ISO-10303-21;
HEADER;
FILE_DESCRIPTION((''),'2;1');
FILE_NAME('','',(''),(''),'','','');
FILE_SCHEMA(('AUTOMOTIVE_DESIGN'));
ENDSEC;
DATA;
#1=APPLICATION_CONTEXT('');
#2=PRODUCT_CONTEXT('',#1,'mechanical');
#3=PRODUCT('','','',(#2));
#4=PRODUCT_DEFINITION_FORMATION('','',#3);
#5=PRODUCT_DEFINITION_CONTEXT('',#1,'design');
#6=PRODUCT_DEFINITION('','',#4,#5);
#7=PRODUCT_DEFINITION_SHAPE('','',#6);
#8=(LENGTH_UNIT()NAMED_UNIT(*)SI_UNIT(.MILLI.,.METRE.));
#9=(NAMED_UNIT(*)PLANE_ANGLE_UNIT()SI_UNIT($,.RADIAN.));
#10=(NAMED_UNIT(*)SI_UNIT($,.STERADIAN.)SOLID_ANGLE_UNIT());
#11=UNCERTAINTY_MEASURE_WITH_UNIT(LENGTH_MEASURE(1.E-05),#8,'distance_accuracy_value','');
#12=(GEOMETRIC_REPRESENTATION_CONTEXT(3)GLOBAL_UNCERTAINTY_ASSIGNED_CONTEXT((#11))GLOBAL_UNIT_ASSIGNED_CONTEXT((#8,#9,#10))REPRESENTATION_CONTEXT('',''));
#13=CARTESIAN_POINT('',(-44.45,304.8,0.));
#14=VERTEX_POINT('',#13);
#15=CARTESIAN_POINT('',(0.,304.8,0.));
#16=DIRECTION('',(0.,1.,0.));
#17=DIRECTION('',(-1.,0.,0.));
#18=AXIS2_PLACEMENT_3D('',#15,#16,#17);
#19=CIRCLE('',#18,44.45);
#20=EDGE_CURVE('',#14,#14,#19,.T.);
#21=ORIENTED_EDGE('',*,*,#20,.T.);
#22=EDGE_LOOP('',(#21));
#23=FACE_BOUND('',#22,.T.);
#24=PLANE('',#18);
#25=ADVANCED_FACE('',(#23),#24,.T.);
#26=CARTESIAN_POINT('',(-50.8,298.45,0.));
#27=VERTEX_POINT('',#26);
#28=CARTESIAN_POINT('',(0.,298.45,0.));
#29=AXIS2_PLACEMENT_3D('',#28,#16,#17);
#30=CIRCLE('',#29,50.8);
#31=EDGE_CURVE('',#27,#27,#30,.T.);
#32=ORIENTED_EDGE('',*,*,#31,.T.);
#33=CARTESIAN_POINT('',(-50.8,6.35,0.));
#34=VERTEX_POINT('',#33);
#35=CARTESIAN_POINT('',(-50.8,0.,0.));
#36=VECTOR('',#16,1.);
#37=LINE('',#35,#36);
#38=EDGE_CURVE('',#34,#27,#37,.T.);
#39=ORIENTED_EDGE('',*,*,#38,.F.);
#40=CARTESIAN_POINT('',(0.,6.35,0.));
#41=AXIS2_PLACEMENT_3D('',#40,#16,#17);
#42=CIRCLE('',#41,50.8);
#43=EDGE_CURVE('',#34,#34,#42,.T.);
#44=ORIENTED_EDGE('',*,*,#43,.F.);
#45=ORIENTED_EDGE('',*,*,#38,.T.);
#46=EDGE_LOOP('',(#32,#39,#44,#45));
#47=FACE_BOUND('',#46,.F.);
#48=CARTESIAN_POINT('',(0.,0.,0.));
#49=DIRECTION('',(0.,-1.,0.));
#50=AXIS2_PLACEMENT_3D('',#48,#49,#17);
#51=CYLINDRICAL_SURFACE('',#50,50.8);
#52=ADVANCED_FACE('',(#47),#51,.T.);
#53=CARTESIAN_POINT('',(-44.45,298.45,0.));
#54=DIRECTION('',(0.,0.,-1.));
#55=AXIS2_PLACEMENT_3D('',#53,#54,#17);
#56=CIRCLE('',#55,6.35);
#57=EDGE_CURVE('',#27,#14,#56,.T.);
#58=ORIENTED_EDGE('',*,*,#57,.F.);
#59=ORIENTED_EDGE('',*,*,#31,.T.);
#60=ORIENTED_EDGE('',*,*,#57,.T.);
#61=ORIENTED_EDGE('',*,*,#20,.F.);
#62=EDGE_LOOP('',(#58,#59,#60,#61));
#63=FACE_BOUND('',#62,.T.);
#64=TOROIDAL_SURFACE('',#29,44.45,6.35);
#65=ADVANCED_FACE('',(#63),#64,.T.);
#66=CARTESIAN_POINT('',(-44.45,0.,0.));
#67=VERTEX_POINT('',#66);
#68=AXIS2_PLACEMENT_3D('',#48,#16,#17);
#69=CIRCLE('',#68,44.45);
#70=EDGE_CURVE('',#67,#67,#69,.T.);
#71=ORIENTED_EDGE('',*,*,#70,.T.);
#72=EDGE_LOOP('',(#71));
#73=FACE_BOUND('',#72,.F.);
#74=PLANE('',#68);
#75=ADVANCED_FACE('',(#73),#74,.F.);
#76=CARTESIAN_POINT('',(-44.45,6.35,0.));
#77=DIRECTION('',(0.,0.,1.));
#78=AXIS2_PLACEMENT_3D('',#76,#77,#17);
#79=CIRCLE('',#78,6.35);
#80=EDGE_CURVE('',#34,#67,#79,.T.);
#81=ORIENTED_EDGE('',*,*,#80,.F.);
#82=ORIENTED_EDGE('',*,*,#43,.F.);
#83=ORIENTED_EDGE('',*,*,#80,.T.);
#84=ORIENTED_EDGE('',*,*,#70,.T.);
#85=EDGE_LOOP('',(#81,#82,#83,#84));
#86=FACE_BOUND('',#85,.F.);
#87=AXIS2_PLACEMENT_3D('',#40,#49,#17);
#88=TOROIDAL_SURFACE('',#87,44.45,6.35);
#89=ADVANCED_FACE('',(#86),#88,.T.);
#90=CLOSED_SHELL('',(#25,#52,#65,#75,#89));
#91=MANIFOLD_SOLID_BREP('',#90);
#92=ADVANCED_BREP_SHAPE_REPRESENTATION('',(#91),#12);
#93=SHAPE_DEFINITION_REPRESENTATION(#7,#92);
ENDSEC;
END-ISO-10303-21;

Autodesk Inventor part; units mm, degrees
ref_plane "YZ Plane" through (0, 0, 0) normal (1, 0, 0) x (0, 1, 0)
ref_plane "XZ Plane" through (0, 0, 0) normal (0, 1, 0) x (-1, 0, 0)
ref_plane "XY Plane" through (0, 0, 0) normal (0, 0, 1) x (1, 0, 0)
sketch "Sketch1" plane through (0, 0, 0) normal (0, 1, 0) x (-1, 0, 0)
  circle A0 centre (0, 0) radius 50.8
  dimension "d0" = 101.6
extrude "Extrusion1" add sketch "Sketch1" along normal blind 304.8
fillet "Fillet1" radius 6.35 2 edges at (50.8, 0, 0) (50.8, 304.8, 0)
